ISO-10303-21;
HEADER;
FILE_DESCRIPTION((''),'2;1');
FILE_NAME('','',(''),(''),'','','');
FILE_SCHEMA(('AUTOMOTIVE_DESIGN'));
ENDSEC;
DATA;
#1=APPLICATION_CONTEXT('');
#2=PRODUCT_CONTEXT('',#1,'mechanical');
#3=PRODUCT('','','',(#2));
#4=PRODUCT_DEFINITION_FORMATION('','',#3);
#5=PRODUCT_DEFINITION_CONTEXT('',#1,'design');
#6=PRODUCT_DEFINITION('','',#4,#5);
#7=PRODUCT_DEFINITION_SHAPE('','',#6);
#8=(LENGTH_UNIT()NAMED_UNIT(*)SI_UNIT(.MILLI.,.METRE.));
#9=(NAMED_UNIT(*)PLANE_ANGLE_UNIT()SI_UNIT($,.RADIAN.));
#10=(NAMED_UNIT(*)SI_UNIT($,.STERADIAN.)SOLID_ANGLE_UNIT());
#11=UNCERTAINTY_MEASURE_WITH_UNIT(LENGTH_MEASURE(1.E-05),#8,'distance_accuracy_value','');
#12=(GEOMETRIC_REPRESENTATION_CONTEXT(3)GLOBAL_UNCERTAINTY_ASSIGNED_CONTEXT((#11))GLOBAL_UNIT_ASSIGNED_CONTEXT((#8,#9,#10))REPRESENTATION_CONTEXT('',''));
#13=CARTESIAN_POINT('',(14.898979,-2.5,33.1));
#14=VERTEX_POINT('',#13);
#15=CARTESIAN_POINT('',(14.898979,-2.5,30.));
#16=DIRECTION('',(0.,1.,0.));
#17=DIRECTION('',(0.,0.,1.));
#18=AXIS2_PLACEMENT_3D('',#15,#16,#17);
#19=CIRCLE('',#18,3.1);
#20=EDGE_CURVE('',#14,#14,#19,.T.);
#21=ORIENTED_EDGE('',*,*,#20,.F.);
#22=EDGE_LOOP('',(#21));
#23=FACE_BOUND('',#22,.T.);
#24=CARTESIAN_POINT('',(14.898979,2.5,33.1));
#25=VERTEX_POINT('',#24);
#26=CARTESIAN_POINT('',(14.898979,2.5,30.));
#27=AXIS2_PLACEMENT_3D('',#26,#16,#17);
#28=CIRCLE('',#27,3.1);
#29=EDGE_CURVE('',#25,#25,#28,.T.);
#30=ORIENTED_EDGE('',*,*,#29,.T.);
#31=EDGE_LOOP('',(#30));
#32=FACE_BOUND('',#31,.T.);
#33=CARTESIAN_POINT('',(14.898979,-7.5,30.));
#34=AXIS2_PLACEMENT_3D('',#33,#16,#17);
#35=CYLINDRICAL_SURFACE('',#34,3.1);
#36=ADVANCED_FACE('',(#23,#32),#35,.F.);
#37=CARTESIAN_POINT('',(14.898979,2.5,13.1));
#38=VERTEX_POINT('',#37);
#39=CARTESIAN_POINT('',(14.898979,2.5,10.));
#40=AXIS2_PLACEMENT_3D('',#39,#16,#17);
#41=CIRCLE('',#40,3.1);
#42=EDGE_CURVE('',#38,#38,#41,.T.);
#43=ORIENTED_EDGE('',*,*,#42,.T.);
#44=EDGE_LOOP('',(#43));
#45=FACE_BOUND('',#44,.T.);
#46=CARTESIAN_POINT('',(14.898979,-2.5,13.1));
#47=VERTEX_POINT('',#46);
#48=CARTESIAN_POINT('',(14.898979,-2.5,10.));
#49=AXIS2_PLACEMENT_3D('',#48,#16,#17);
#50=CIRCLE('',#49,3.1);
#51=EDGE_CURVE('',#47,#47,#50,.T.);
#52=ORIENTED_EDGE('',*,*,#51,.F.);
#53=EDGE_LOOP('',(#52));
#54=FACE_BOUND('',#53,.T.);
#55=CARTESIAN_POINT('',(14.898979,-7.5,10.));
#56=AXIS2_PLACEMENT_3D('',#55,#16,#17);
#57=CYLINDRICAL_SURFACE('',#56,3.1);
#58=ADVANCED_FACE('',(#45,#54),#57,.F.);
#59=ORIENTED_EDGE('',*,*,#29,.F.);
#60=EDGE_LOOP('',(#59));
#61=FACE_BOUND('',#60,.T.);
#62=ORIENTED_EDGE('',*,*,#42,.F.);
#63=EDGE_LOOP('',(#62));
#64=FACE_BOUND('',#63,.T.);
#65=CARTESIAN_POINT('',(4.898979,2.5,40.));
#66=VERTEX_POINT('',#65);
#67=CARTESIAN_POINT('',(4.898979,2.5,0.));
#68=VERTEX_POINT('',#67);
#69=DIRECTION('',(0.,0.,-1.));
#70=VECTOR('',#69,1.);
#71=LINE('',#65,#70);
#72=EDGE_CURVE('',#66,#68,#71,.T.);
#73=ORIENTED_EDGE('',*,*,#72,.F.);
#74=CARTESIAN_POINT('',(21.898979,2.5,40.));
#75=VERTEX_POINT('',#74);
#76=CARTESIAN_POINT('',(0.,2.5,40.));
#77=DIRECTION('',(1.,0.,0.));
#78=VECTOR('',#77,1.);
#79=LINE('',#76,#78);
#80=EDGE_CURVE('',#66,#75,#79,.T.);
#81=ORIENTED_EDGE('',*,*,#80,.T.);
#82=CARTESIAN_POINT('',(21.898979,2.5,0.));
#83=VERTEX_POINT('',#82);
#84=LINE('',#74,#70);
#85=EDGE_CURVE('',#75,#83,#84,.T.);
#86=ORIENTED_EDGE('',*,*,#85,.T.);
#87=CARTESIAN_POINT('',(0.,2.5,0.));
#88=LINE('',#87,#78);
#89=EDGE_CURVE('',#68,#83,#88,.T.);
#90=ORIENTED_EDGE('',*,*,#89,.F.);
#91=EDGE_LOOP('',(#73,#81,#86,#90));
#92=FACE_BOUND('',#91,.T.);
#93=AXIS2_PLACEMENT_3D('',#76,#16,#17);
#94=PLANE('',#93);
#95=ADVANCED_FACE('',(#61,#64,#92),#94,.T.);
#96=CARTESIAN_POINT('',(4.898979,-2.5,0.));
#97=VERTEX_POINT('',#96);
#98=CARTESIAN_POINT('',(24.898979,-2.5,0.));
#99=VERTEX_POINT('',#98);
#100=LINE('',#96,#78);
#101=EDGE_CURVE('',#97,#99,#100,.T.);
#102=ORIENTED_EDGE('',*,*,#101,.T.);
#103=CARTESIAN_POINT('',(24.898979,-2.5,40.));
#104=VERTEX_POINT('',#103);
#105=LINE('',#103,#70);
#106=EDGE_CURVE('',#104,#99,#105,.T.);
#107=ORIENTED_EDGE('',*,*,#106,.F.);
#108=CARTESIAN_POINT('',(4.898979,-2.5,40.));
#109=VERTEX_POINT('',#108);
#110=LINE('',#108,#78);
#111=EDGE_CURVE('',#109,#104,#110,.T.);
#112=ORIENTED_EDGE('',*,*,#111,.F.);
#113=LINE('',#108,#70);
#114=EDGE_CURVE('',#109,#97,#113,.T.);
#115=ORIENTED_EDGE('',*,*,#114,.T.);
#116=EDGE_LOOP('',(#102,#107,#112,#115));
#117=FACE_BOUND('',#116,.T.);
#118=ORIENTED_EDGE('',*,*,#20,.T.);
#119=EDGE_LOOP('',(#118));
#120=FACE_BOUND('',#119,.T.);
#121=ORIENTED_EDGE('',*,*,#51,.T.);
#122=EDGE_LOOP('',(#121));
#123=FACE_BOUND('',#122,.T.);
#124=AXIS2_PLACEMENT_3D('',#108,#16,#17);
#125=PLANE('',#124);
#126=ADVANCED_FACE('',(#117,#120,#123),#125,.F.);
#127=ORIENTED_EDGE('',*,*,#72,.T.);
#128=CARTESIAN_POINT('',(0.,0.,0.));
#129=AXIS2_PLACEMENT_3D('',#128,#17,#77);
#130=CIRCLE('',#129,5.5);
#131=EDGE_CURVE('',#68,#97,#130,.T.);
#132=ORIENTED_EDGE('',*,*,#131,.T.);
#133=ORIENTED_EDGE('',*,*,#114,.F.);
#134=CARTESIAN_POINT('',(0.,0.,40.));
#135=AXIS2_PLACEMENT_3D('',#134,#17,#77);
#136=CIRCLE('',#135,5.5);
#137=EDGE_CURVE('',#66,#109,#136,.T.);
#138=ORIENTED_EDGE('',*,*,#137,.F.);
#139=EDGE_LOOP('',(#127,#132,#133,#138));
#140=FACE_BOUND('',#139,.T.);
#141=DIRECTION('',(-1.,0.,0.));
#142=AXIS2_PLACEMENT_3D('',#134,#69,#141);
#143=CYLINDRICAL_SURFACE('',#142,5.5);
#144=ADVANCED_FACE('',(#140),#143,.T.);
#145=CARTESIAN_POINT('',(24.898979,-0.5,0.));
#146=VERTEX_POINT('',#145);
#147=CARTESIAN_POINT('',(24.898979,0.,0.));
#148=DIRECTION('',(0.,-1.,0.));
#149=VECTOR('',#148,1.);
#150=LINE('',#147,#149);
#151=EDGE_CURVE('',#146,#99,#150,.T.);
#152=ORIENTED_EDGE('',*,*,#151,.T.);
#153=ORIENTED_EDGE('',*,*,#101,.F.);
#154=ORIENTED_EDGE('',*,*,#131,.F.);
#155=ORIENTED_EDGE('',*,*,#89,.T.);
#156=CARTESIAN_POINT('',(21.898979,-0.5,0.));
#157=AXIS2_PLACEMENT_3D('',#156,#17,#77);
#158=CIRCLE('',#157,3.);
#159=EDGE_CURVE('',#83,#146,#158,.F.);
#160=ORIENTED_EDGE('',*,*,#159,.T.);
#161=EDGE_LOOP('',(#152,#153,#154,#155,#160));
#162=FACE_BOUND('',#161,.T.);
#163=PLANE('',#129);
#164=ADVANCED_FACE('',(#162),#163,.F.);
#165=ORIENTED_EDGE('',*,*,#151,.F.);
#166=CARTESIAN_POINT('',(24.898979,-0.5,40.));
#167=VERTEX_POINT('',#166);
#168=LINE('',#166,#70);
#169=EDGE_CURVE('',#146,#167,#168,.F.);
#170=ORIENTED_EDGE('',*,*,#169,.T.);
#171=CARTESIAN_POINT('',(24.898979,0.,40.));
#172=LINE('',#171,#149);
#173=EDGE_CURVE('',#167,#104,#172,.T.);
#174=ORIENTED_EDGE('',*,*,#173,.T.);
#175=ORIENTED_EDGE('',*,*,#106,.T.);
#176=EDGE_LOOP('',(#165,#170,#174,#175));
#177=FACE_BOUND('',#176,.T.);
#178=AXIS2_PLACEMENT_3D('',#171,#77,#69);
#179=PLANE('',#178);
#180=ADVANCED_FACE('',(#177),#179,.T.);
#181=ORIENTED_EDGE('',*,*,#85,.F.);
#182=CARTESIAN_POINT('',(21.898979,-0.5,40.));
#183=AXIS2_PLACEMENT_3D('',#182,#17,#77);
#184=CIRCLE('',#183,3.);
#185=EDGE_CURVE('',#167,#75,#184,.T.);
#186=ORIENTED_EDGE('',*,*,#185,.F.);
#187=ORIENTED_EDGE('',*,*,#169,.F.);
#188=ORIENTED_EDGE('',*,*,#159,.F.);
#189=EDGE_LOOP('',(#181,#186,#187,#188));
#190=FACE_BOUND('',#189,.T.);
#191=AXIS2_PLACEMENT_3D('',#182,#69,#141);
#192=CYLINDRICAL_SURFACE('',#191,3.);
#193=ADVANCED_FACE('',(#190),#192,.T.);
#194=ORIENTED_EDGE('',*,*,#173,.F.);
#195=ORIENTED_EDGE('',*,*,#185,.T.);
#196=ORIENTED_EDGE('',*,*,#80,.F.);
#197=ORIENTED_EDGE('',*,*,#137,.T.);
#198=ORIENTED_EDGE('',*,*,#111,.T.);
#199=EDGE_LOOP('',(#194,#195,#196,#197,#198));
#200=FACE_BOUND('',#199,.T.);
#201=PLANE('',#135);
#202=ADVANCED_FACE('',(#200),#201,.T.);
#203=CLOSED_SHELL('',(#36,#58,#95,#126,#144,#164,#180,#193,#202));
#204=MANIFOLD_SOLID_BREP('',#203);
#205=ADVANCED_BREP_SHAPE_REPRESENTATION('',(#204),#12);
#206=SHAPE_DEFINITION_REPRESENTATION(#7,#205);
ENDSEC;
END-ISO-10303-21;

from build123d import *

# Parameters (mm, degrees)
SKETCH1_R           = 5.5
SKETCH1_W           = 20
SKETCH1_H           = 5
BOSS_EXTRUDE1_DEPTH = 40
SKETCH2_R           = 3.1
CUT_EXTRUDE1_DEPTH  = 10
FILLET1_R           = 3


with BuildPart() as part:
    # Sketch1 → Boss-Extrude1 (new body)
    with BuildSketch(Plane.XY):
        Circle(SKETCH1_R)
        with Locations((14.898979486, 0)):
            Rectangle(SKETCH1_W, SKETCH1_H)
    extrude(amount=BOSS_EXTRUDE1_DEPTH)

    # Sketch2 → Cut-Extrude1 (cut)
    with BuildSketch(Plane(origin=(0, 2.5, 0), x_dir=(1, 0, 0), z_dir=(0, 1, 0))):
        with Locations(Location((14.898979486, -10, 0), (0, 0, 270))):  # turned: the seam where the file's is
            Circle(SKETCH2_R)
        with Locations(Location((14.898979486, -30, 0), (0, 0, 270))):  # turned: the seam where the file's is
            Circle(SKETCH2_R)
    extrude(amount=-CUT_EXTRUDE1_DEPTH, mode=Mode.SUBTRACT)

    # Fillet1
    fillet1_edges = [part.edges().sort_by_distance(p)[0] for p in [
        (24.898979486, 2.5, 20),
    ]]
    fillet(fillet1_edges, radius=FILLET1_R)


solid = part.part
